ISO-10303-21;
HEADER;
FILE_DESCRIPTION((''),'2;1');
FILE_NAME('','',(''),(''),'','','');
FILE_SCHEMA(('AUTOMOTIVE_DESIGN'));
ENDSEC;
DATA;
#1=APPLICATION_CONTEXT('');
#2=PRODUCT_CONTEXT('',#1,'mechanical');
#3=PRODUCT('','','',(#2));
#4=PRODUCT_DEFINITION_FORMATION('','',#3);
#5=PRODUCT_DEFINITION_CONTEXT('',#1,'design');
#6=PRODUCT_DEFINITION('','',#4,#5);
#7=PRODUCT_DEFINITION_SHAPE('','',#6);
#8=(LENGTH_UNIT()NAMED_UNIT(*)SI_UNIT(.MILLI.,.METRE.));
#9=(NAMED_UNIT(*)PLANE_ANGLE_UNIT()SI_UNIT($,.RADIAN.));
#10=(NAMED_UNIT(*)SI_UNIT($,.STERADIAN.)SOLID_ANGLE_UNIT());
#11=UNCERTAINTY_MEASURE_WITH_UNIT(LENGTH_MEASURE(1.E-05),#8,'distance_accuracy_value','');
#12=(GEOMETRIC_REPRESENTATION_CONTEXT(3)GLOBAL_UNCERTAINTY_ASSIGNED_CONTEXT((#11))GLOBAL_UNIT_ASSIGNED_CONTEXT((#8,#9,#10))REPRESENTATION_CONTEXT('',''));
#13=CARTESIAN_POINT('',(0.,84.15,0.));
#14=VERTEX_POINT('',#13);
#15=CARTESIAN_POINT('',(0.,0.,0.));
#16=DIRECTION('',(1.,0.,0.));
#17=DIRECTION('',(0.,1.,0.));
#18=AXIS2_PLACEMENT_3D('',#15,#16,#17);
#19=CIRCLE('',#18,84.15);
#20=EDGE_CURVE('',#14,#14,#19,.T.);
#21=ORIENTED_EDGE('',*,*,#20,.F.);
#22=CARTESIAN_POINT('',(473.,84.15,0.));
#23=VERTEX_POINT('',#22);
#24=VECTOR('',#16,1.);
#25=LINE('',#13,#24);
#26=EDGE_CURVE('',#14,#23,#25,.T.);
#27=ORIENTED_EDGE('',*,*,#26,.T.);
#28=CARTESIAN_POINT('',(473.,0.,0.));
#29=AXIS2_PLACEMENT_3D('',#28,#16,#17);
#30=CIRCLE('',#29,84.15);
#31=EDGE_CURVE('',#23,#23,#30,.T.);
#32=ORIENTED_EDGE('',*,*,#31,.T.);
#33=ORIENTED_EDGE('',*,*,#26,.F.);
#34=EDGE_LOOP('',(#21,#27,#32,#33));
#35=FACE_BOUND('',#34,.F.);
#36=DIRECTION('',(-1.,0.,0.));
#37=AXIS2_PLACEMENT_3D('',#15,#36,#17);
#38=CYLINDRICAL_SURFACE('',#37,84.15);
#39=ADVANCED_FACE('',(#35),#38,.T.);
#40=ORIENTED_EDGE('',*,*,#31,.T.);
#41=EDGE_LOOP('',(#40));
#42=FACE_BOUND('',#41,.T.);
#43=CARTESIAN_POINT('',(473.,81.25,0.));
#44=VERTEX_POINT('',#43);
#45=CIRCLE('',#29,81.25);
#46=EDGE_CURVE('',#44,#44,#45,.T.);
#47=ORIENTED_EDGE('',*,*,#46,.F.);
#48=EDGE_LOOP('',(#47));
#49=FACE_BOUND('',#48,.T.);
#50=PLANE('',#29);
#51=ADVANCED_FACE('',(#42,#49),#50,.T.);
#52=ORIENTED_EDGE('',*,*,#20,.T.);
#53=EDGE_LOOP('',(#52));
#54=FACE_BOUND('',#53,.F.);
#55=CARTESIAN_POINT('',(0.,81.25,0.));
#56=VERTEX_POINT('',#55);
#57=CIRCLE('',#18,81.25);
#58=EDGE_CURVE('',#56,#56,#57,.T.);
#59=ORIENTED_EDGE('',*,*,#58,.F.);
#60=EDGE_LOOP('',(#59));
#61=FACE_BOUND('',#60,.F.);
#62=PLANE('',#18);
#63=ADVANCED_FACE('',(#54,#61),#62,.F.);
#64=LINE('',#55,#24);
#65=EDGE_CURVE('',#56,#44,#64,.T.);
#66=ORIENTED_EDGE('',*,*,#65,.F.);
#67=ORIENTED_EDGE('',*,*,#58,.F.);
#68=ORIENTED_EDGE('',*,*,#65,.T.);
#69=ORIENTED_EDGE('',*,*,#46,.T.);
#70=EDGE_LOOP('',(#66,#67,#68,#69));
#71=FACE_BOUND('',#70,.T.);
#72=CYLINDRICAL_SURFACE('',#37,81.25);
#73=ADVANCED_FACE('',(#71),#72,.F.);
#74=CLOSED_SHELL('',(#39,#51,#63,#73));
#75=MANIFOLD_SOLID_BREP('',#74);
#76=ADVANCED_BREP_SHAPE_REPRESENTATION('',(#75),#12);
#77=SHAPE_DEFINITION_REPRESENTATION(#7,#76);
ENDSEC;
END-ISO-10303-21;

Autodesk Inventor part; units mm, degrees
ref_plane "YZ Plane" through (0, 0, 0) normal (1, 0, 0) x (0, 1, 0)
ref_plane "XZ Plane" through (0, 0, 0) normal (0, 1, 0) x (-1, 0, 0)
ref_plane "XY Plane" through (0, 0, 0) normal (0, 0, 1) x (1, 0, 0)
sketch "Sketch1" plane through (0, 0, 0) normal (1, 0, 0) x (0, 1, 0)
  circle A0 centre (0, 0) radius 84.15
  circle A1 centre (0, 0) radius 81.25
  dimension "d0" = 168.3
  dimension "d1" = 2.9
extrude "Extrusion1" add sketch "Sketch1" along normal blind 473
equation "\"d0\" = OD"
equation "\"d1\" = t"
equation "\"d2\" = L"
equation "\"OD\" = 168.3"
equation "\"t\" = 2.9"
equation "\"L\" = PL"
equation "\"ID\" = 162.5"
equation "\"PL\" = 473"
equation "\"Size_Designation\" = 1.2345"
properties material "Steel"
